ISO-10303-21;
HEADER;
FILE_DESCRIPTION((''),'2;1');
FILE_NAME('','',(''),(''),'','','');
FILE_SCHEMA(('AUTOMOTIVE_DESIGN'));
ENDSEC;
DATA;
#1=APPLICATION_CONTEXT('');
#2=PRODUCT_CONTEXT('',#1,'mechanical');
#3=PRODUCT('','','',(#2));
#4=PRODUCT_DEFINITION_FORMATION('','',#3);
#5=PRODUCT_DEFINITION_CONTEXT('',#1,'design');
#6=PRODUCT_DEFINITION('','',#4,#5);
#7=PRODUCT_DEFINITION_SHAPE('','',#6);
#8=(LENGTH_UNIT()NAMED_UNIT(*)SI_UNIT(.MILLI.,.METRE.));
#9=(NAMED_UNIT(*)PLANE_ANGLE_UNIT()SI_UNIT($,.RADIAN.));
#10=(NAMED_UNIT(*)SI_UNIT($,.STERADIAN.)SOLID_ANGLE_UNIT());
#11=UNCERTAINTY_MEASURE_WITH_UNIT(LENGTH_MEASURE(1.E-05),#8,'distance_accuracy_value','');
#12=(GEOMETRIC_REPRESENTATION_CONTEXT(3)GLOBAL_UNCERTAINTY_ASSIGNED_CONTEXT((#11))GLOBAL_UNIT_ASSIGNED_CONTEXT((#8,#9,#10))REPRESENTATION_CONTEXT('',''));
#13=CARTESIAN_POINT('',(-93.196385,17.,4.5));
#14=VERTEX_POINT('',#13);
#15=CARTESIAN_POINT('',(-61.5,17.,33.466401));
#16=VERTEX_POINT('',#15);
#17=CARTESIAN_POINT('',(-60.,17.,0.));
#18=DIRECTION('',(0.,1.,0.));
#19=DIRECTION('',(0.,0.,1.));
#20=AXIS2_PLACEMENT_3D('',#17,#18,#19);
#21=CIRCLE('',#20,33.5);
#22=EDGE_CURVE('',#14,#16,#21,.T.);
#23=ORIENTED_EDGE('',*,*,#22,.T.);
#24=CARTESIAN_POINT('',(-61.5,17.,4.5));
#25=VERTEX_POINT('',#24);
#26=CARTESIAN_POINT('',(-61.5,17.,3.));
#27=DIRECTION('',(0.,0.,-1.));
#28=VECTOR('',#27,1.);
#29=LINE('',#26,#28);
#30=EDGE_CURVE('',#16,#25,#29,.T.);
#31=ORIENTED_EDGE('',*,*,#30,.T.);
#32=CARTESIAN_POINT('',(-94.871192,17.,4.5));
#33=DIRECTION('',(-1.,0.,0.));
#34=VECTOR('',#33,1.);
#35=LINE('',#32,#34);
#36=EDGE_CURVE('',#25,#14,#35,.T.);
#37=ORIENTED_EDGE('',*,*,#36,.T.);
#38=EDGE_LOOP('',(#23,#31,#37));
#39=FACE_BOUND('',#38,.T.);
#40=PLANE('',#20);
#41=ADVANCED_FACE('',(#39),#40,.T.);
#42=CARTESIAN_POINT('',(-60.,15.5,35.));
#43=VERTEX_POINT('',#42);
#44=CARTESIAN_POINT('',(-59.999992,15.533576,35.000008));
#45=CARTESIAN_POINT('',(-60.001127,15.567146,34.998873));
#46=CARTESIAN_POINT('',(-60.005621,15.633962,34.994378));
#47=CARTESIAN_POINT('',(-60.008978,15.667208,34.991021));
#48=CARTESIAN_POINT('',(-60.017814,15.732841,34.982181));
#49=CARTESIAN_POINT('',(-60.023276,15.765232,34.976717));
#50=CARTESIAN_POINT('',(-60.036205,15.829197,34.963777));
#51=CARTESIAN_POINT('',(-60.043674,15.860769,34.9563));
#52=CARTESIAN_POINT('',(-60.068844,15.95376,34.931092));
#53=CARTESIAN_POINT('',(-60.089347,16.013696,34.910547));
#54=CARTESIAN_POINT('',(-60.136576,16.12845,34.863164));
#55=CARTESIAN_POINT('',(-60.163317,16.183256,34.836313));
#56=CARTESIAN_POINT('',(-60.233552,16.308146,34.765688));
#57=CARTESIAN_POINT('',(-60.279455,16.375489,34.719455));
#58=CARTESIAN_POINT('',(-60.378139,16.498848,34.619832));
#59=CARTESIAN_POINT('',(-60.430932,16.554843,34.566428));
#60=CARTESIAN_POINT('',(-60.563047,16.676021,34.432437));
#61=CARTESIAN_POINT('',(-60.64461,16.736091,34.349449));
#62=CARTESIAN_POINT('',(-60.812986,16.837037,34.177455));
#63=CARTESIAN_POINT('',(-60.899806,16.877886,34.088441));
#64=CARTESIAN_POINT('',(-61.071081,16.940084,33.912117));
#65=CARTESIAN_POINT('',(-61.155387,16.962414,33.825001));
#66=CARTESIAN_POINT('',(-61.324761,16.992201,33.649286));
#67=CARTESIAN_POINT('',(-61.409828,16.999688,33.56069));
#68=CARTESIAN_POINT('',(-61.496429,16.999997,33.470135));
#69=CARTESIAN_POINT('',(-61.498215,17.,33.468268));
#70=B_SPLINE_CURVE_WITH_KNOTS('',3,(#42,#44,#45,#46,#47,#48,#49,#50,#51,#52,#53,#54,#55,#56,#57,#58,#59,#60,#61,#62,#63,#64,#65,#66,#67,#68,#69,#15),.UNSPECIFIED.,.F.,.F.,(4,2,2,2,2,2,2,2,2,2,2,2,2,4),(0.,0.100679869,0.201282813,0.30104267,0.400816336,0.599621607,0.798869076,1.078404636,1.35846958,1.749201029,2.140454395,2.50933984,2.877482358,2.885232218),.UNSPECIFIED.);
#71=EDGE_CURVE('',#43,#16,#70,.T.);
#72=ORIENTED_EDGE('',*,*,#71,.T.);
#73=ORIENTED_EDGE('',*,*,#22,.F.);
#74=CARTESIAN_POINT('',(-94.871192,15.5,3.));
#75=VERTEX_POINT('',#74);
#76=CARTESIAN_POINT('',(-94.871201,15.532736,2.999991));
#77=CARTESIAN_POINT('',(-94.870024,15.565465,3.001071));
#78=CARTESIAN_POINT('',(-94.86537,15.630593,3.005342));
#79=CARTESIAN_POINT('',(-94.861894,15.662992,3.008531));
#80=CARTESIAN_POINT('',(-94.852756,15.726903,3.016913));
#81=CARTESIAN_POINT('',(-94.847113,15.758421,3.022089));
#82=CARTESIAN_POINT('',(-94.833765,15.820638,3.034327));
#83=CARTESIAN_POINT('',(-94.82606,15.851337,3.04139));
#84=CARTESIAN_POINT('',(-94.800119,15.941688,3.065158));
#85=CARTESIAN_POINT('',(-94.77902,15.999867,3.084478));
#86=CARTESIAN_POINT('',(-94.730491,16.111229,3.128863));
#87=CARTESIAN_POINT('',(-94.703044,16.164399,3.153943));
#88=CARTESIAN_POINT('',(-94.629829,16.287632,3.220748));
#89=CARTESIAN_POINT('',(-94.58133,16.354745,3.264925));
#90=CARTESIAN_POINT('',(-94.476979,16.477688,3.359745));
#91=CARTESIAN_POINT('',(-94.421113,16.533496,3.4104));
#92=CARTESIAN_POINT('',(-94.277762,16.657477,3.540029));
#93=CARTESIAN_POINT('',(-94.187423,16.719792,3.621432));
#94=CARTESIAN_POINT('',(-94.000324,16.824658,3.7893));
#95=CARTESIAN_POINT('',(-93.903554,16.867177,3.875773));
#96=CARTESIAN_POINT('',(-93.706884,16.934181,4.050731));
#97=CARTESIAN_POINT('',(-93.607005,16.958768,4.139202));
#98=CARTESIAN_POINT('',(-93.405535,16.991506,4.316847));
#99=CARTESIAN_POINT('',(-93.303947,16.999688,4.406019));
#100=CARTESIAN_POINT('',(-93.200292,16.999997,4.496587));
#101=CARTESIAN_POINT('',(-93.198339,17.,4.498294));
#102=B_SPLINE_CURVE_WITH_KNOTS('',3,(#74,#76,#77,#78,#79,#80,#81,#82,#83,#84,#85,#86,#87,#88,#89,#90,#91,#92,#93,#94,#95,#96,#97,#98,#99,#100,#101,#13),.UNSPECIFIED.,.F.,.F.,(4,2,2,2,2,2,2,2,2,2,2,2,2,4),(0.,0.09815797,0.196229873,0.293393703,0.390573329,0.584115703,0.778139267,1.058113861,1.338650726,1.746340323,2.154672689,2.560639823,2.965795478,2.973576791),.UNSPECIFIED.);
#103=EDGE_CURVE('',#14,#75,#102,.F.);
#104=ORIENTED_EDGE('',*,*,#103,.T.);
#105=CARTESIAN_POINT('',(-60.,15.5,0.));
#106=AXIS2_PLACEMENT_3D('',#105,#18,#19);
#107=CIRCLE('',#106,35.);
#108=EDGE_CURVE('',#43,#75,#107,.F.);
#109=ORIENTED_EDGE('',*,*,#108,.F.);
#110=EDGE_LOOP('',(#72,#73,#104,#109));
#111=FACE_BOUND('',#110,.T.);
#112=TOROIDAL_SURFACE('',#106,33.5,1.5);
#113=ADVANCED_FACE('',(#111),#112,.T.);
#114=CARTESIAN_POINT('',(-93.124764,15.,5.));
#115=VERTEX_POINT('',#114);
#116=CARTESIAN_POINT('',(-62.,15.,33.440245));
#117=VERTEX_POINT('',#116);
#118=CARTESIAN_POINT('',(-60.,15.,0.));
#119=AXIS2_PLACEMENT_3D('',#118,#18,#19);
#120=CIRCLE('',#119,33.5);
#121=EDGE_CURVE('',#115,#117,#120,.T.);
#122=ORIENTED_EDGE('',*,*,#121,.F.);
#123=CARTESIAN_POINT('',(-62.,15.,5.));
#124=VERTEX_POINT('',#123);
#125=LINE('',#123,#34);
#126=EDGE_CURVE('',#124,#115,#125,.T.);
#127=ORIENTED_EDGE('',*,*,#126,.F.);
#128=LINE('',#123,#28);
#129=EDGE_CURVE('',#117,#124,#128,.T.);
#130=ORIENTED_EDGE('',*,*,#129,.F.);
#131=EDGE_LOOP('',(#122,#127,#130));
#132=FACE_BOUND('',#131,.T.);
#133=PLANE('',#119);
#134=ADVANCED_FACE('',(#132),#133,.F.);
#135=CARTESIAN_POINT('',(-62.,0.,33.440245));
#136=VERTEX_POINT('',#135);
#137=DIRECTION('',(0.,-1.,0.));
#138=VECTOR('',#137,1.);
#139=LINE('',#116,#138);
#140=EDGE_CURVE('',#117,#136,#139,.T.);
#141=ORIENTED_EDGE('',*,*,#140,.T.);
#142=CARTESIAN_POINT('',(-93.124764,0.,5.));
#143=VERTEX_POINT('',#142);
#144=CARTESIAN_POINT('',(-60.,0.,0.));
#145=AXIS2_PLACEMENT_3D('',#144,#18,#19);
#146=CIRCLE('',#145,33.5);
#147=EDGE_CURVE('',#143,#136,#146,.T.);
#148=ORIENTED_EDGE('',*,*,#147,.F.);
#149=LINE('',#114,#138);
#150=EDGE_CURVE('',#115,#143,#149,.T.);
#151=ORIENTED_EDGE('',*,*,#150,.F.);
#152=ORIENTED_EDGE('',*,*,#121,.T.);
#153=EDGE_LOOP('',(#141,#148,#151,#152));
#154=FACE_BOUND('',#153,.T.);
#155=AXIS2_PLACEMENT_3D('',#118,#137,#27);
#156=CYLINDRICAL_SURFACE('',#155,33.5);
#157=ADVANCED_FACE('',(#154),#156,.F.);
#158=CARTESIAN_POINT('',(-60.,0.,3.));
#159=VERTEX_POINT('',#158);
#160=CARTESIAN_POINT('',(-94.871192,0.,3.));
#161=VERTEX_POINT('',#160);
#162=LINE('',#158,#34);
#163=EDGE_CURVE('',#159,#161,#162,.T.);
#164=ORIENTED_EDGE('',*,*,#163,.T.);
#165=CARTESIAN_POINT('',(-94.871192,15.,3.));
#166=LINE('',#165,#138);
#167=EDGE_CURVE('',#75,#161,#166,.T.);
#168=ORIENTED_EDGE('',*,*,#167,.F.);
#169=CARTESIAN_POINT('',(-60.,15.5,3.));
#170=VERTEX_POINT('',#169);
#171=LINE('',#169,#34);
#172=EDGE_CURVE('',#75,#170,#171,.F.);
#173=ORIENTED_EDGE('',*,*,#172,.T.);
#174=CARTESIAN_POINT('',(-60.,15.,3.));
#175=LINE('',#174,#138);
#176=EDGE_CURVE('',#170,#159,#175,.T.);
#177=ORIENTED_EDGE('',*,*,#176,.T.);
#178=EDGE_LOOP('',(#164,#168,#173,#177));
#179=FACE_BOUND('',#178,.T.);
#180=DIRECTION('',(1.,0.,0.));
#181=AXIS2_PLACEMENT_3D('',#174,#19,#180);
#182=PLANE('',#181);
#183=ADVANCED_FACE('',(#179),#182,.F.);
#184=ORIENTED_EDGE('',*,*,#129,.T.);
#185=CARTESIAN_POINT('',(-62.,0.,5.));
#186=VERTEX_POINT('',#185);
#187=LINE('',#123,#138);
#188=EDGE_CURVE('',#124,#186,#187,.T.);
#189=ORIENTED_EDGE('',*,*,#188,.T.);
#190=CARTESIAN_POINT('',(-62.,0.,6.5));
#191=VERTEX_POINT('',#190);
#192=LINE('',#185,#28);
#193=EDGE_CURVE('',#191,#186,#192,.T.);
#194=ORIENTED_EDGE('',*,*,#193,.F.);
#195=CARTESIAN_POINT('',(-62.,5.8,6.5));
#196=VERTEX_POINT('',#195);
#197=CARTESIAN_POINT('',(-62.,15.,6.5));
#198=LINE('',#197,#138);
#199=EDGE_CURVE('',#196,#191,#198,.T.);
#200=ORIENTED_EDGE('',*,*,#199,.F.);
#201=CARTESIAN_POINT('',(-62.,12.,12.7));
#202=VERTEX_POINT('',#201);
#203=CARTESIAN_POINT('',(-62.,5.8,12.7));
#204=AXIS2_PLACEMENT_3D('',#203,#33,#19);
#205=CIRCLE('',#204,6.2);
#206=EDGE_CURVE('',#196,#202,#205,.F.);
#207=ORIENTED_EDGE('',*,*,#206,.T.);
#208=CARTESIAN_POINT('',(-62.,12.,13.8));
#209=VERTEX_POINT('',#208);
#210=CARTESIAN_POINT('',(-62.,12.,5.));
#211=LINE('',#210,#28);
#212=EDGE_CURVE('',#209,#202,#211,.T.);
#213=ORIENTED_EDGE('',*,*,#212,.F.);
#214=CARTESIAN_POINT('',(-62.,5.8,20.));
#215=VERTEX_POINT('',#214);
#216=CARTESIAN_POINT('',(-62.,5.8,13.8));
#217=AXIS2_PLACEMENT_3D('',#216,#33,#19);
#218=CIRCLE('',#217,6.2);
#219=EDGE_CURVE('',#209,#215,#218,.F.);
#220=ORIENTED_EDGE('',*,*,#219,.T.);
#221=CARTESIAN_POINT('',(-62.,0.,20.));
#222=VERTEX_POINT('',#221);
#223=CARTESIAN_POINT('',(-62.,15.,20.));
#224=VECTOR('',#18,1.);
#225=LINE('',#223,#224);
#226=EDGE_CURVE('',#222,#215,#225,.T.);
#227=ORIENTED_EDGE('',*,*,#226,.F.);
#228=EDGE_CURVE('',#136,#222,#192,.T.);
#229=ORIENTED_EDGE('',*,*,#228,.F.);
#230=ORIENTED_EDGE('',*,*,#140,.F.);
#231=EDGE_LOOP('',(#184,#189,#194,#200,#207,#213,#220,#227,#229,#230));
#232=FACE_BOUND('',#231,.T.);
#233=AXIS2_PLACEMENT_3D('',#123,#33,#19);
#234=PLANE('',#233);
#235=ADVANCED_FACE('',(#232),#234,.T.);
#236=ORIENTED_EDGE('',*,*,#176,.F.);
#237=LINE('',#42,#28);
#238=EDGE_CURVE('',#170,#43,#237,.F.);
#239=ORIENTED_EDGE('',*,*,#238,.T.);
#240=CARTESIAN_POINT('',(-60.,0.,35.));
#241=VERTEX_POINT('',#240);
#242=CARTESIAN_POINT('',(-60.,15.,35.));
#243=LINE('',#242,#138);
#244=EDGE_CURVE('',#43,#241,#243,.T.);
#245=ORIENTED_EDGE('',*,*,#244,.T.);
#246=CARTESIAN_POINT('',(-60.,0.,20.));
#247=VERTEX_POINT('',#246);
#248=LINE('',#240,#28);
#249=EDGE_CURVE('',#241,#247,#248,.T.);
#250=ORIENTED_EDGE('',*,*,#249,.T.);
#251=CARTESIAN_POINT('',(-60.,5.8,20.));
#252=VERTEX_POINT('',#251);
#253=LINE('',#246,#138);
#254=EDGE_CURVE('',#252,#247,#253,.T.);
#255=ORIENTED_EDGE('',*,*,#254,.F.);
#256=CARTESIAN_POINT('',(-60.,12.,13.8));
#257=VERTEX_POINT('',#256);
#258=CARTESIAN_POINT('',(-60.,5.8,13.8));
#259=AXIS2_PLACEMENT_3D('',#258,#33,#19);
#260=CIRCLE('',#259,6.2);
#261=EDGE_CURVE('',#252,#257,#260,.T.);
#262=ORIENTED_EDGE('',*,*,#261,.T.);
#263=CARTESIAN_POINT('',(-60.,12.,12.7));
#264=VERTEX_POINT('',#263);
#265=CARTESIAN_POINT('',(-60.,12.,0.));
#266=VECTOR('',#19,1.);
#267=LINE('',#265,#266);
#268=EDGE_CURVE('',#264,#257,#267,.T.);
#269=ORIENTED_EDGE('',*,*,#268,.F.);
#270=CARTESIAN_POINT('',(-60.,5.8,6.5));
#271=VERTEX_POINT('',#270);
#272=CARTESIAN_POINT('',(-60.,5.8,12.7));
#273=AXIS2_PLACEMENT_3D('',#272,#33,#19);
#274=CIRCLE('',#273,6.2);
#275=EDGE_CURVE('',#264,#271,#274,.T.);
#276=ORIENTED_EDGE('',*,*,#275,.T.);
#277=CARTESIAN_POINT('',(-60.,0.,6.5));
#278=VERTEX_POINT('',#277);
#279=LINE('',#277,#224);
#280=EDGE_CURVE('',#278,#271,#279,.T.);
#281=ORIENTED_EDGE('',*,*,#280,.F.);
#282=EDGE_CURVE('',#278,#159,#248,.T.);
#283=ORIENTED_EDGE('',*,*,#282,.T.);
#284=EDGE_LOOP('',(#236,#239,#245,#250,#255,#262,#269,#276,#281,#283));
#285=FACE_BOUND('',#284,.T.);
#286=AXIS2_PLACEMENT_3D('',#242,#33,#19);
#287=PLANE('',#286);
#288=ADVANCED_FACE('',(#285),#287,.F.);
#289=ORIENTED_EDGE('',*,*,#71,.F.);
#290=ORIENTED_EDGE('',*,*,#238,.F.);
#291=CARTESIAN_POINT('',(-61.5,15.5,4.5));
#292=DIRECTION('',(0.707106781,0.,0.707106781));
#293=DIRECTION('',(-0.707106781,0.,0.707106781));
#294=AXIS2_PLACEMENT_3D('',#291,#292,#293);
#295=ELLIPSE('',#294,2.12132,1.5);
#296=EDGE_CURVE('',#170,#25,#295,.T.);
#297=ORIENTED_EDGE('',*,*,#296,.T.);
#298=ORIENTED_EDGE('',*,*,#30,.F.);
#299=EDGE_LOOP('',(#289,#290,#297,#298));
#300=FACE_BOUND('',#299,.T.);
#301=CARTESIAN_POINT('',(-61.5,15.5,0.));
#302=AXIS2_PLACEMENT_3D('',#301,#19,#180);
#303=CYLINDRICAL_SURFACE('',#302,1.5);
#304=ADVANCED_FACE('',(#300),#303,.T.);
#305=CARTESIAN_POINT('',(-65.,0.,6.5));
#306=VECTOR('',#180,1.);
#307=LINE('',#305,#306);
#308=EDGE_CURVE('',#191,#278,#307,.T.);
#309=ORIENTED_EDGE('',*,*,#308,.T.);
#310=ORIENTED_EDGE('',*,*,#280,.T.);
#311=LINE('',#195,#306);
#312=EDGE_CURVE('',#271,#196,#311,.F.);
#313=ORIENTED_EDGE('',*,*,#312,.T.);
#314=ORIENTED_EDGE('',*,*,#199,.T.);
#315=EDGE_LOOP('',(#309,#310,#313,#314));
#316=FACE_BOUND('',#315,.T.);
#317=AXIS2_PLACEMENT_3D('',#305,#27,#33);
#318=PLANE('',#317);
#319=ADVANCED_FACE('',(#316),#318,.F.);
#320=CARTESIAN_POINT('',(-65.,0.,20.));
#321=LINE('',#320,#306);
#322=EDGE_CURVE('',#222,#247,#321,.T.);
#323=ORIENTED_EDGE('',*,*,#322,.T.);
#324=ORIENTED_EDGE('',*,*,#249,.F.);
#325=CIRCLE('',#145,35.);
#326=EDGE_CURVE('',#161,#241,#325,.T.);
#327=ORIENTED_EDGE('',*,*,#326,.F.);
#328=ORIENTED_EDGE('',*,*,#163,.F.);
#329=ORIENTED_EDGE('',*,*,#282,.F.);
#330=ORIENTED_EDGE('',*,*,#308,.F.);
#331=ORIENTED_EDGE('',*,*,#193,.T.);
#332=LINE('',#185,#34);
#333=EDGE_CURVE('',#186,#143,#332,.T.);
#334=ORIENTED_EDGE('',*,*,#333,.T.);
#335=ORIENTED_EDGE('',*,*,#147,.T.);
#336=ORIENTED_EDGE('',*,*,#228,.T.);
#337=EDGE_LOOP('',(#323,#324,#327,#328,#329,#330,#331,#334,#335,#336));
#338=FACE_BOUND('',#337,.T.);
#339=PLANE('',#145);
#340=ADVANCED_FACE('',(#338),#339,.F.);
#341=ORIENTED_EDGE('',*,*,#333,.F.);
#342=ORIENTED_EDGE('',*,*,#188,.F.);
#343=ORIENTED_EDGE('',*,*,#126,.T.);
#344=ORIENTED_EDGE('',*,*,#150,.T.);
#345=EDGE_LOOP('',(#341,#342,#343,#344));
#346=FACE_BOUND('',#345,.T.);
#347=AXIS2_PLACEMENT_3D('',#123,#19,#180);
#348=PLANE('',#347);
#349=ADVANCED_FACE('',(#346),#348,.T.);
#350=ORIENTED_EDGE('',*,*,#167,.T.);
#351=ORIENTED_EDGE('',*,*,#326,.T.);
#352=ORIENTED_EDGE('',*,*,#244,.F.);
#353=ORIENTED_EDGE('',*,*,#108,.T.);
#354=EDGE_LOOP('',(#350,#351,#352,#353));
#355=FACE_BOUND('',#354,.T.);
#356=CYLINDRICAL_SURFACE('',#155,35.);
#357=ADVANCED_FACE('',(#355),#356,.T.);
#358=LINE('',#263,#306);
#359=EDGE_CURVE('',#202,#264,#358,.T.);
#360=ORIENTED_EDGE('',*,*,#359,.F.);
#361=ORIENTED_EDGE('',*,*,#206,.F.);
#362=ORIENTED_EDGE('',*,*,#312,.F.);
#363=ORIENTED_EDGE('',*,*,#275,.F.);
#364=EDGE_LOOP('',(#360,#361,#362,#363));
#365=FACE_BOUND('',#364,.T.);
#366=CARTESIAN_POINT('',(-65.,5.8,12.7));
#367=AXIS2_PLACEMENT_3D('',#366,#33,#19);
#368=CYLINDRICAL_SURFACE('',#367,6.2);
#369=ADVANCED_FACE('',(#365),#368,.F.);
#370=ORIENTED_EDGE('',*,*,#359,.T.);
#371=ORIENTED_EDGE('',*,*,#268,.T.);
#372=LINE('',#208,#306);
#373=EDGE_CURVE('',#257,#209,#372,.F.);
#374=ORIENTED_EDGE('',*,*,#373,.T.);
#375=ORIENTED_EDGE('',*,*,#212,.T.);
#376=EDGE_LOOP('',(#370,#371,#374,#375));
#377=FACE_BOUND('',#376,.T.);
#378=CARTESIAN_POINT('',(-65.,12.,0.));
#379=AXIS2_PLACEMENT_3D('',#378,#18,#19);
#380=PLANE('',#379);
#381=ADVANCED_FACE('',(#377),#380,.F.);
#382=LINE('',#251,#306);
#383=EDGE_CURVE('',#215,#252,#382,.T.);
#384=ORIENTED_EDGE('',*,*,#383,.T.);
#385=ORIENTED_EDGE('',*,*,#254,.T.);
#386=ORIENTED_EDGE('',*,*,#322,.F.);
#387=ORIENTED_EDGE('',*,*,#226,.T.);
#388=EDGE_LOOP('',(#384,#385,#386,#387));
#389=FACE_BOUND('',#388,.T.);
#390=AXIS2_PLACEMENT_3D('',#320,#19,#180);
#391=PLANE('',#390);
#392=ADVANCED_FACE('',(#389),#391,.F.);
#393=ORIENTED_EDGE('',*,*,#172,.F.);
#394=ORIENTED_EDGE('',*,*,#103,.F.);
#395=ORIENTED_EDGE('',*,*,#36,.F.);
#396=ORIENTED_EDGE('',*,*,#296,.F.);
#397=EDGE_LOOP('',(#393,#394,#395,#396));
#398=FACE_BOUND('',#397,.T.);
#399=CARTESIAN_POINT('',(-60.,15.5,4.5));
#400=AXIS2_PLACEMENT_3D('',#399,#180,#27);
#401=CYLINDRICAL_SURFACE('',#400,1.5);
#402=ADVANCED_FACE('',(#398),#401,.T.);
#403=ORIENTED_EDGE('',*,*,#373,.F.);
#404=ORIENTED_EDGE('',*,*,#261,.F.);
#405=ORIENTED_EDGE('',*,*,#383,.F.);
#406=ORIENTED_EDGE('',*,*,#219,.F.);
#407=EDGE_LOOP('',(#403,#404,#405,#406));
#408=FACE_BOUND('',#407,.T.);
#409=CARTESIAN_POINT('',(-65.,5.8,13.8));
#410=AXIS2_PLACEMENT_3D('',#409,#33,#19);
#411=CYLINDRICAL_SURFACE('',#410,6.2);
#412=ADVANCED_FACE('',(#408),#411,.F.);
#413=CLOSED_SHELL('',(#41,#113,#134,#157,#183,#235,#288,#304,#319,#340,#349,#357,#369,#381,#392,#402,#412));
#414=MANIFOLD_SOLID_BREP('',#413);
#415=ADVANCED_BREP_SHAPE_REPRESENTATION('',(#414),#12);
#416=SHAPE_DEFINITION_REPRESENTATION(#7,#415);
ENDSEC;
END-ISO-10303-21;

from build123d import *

# Parameters (mm, degrees)
BOSS_EXTRUDE5_DEPTH = 15
BOSS_EXTRUDE6_DEPTH = 2
FILLET2_R           = 1.5
SKETCH7_W           = 13.5
SKETCH7_H           = 12
CUT_EXTRUDE2_DEPTH  = 5
FILLET3_R           = 6.2


with BuildPart() as part:
    # Sketch4 → Boss-Extrude5 (new body)
    with BuildSketch(Plane(origin=(0, 0, 0), x_dir=(1, 0, 0), z_dir=(0, 1, 0))):
        with BuildLine():
            Line((-60, -3), (-94.871191548, -3))
            ThreePointArc((-94.871191548, -3), (-83.664319132, -25.787593916), (-60, -35))
            Line((-60, -35), (-60, -3))
        make_face()
        with BuildLine():
            Line((-62, -5), (-93.12476415, -5))
            ThreePointArc((-93.12476415, -5), (-82.597547458, -24.730565074), (-62, -33.440245214))
            Line((-62, -33.440245214), (-62, -5))
        make_face(mode=Mode.SUBTRACT)
    extrude(amount=BOSS_EXTRUDE5_DEPTH)

    # Sketch5 → Boss-Extrude6 (add)
    with BuildSketch(Plane(origin=(0, 15, 0), x_dir=(1, 0, 0), z_dir=(0, 1, 0))):
        with BuildLine():
            Line((-60, -3), (-94.871191548, -3))
            ThreePointArc((-94.871191548, -3), (-83.664319132, -25.787593916), (-60, -35))
            Line((-60, -35), (-60, -3))
        make_face()
    extrude(amount=BOSS_EXTRUDE6_DEPTH)

    # Fillet2
    fillet2_edges = [part.edges().sort_by_distance(p)[0] for p in [
        (-60, 17, 19),
        (-77.435595774, 17, 3),
        (-83.664319132, 17, 25.787593916),
    ]]
    fillet(fillet2_edges, radius=FILLET2_R)

    # Sketch7 → Cut-Extrude2 (cut)
    with BuildSketch(Plane(origin=(-60, 0, 0), x_dir=(0, 0, -1), z_dir=(1, 0, 0))):
        with Locations((-13.25, 6)):
            Rectangle(SKETCH7_W, SKETCH7_H)
    extrude(amount=-CUT_EXTRUDE2_DEPTH, mode=Mode.SUBTRACT)

    # Fillet3
    fillet3_edges = [part.edges().sort_by_distance(p)[0] for p in [
        (-61, 12, 20),
        (-61, 12, 6.5),
    ]]
    fillet(fillet3_edges, radius=FILLET3_R)


solid = part.part
